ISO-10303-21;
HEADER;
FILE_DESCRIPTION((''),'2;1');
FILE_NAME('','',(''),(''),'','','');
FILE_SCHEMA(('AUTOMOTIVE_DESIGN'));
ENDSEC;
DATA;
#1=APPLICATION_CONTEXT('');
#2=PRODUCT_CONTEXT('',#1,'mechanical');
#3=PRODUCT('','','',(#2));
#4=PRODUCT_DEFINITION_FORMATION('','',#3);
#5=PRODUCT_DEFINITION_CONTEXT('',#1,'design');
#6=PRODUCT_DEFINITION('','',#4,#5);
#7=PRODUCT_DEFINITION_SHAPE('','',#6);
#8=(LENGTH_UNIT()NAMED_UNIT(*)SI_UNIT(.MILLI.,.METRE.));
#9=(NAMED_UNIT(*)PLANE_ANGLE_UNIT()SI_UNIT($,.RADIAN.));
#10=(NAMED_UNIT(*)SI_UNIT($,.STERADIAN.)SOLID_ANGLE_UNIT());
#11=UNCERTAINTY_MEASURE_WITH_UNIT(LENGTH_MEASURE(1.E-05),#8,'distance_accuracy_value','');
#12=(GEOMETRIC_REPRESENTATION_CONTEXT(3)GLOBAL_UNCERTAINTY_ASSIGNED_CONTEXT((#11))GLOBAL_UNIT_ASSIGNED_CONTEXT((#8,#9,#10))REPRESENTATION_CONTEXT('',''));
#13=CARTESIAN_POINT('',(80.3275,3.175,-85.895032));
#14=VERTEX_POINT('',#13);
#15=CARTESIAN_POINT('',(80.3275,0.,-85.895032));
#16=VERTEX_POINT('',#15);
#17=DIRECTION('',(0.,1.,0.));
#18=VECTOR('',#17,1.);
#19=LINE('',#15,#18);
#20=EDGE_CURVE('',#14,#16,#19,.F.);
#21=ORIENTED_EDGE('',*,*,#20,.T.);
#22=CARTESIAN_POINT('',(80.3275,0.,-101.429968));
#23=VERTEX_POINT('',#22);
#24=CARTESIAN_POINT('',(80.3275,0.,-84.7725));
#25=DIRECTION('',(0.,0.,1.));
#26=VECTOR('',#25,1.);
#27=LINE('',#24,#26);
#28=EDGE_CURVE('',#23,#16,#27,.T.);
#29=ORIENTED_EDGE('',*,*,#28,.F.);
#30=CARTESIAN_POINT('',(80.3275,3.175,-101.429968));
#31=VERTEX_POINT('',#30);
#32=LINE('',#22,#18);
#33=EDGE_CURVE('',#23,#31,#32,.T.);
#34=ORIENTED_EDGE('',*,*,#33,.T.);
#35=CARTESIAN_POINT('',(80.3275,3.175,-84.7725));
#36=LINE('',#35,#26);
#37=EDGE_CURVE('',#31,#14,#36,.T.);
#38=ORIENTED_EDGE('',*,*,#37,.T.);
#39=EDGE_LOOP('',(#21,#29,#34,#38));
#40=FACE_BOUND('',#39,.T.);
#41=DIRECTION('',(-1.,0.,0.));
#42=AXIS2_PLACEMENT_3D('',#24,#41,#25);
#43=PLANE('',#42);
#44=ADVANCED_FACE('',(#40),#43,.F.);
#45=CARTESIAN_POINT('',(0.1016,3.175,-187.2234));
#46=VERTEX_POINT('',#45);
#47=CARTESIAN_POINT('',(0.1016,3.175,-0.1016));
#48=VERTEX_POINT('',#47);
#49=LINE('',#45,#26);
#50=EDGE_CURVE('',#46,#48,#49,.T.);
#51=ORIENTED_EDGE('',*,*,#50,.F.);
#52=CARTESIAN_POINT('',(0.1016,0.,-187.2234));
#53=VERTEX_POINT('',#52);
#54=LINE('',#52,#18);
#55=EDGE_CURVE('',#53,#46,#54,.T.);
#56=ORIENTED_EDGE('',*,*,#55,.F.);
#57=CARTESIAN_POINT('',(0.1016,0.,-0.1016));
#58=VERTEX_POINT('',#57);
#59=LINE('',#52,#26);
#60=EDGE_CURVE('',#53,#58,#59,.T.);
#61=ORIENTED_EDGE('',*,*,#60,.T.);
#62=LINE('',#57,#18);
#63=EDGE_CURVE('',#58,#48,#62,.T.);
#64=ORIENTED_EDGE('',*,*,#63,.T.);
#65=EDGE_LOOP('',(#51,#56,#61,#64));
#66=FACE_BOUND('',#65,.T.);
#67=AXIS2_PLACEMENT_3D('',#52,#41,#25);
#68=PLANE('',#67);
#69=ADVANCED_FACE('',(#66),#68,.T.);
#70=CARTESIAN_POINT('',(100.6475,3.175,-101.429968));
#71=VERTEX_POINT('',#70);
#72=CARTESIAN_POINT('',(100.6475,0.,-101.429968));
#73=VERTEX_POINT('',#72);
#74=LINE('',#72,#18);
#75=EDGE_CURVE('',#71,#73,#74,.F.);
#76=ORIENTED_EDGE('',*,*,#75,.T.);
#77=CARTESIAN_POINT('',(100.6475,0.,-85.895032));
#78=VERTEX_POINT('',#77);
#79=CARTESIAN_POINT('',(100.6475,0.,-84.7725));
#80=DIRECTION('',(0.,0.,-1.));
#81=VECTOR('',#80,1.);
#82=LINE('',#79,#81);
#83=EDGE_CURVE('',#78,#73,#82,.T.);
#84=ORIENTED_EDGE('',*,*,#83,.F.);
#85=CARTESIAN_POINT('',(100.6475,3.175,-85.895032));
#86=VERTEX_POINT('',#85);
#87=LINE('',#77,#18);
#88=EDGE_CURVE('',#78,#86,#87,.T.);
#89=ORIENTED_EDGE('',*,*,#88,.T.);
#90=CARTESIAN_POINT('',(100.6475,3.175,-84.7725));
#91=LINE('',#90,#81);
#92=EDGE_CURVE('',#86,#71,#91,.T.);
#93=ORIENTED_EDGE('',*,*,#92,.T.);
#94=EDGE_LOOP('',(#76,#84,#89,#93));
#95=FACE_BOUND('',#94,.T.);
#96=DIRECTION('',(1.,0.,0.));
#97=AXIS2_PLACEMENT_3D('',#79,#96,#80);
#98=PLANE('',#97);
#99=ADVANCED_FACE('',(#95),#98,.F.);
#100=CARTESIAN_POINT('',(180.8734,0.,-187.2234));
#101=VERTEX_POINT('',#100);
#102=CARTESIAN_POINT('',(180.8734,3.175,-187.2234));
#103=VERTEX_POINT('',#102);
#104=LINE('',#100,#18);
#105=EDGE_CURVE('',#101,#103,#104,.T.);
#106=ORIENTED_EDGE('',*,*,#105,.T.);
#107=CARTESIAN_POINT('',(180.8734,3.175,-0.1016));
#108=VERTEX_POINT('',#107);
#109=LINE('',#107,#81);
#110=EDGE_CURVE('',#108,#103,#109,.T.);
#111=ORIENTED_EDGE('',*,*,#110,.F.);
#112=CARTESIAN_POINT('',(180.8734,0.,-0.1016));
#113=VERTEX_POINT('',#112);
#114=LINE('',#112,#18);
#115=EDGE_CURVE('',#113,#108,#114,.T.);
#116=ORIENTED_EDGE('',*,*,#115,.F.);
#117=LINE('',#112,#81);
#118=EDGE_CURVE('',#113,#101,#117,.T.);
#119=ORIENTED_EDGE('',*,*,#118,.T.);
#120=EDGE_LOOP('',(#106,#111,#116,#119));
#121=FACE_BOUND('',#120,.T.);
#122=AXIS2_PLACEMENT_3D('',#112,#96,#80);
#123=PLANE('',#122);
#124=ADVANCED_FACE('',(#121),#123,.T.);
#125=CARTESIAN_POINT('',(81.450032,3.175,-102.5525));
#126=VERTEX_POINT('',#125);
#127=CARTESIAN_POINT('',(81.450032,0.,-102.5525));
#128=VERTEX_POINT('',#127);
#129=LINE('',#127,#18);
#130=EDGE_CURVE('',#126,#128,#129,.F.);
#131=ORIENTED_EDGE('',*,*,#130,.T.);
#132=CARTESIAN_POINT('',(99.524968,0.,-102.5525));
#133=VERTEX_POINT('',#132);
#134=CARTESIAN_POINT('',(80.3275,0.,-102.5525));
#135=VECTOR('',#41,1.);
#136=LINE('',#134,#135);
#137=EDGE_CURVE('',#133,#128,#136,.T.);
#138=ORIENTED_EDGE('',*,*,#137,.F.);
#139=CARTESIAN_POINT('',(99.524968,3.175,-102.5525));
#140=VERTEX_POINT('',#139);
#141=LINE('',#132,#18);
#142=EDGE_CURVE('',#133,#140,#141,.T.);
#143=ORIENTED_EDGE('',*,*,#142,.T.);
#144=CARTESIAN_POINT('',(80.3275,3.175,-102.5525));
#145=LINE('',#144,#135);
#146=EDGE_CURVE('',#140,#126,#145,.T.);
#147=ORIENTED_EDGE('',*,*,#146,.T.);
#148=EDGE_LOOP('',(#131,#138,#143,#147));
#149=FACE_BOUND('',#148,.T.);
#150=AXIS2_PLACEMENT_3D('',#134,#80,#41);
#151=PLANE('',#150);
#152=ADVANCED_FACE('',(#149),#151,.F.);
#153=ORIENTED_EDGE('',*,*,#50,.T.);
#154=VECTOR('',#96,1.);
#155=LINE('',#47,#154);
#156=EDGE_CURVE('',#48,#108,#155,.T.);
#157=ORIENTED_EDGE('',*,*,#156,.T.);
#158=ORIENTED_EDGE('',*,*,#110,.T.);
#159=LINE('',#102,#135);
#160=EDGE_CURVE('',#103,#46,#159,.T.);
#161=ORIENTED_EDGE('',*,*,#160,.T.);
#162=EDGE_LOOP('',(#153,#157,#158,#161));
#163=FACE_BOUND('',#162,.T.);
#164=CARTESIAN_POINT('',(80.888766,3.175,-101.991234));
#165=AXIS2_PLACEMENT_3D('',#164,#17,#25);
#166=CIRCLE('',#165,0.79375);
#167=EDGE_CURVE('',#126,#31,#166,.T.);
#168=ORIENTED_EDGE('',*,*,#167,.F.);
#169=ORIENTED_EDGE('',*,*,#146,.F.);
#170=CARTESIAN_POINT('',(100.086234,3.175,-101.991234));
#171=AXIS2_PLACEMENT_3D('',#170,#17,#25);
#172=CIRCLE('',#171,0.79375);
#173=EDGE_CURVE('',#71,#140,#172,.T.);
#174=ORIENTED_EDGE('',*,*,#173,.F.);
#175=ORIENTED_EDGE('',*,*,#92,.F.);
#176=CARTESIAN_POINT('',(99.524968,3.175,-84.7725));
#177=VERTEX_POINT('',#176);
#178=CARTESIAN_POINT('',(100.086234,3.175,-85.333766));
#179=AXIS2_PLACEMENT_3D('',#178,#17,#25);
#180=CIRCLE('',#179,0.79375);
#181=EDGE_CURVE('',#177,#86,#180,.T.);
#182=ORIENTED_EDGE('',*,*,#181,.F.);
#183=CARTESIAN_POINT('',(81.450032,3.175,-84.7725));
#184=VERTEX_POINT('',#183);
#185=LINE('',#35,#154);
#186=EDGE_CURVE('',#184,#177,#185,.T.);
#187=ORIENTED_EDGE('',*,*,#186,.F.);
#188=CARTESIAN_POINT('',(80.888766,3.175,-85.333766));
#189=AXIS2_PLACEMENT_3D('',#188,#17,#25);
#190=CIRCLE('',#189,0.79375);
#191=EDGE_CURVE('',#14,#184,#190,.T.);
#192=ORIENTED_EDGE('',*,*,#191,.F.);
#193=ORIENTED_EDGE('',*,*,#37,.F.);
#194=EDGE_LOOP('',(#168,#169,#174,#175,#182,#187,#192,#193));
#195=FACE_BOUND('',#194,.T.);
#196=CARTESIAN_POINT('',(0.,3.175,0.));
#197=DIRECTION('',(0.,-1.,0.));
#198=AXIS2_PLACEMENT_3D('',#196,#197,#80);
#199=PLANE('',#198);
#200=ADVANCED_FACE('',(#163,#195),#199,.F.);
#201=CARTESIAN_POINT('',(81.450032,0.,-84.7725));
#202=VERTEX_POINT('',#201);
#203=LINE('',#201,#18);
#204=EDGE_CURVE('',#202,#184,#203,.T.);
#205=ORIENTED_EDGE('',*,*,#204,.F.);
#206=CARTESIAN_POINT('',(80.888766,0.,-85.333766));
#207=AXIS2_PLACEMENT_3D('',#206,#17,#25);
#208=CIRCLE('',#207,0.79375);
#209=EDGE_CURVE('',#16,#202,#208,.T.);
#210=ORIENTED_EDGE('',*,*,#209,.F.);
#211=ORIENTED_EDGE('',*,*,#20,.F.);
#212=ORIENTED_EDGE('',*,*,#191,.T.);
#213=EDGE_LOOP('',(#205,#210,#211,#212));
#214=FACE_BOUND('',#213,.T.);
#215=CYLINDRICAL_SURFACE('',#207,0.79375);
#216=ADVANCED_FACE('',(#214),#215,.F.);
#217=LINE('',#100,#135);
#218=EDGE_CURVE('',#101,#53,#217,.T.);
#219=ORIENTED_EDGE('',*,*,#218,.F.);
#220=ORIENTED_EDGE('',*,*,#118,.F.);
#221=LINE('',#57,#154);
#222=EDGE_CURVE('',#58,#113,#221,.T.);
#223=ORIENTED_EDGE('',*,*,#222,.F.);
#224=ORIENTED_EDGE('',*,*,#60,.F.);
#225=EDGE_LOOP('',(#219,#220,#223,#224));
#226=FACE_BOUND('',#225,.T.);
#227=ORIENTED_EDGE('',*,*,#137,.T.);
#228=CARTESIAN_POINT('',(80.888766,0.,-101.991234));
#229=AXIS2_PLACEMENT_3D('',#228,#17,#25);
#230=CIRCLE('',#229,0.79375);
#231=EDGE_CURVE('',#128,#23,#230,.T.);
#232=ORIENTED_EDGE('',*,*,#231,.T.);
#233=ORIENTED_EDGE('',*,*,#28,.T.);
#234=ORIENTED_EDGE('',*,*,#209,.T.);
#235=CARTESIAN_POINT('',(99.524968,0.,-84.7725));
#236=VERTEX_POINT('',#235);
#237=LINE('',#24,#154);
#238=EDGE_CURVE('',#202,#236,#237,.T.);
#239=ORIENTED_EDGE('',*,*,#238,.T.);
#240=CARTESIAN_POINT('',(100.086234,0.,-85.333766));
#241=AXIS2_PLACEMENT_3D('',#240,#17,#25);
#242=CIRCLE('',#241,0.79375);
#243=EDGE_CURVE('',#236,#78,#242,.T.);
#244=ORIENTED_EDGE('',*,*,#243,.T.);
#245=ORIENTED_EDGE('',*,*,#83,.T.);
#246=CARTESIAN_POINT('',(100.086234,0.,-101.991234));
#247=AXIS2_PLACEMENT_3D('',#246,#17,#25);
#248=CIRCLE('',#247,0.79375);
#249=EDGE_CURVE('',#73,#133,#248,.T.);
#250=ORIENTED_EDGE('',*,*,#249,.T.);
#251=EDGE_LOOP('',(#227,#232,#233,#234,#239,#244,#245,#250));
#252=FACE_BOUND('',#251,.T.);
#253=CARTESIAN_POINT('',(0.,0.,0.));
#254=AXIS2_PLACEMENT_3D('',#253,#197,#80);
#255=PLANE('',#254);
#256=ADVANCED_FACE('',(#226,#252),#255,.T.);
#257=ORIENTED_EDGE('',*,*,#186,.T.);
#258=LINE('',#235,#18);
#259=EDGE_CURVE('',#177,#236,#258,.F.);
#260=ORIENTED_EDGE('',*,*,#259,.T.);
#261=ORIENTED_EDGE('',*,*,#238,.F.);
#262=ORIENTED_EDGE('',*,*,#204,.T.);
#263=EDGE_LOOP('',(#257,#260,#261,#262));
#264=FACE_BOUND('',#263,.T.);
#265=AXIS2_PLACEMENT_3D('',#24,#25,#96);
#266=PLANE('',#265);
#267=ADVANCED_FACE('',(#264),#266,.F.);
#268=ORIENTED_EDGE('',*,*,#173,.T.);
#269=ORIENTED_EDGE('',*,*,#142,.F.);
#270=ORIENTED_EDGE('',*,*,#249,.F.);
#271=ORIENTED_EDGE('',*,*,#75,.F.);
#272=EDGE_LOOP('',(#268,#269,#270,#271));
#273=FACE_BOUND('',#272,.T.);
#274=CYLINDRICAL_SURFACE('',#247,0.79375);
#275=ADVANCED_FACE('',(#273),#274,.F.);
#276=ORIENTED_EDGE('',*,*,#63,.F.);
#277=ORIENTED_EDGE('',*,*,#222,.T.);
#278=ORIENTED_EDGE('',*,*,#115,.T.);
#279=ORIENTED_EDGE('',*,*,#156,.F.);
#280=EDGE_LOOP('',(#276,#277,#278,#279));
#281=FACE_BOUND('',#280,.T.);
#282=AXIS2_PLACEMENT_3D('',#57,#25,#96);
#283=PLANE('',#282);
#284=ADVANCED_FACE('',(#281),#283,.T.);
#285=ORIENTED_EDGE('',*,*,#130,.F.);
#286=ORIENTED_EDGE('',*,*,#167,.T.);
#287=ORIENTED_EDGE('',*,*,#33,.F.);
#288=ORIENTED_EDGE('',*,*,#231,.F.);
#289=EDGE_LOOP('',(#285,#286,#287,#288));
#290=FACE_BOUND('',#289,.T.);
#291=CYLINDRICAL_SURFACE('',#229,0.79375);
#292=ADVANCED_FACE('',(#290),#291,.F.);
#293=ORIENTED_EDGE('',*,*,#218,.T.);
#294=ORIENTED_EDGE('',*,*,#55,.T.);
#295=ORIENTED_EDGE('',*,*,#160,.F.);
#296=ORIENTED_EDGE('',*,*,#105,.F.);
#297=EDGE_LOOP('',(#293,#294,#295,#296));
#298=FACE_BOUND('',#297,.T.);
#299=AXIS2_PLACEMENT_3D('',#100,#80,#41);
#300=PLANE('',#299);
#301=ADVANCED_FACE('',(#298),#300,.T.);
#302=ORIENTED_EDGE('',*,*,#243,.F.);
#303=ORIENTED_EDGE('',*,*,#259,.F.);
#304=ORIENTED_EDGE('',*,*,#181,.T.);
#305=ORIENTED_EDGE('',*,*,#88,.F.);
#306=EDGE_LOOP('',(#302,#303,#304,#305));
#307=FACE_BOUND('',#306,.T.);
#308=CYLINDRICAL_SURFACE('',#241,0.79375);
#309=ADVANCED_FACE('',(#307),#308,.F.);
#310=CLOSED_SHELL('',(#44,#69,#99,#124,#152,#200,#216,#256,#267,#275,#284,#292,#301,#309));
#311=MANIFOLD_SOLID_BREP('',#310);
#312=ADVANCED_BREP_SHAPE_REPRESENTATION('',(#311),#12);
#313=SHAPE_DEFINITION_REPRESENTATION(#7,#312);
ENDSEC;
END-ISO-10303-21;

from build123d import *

# Parameters (mm, degrees)
SKETCH1_W           = 180.975
SKETCH1_H           = 187.325
BOSS_EXTRUDE1_DEPTH = 3.175
SKETCH2_W           = 20.32
SKETCH2_H           = 17.78
CUT_EXTRUDE1_DEPTH  = 4.175
SKETCH3_R           = 0.79375
CUT_EXTRUDE2_DEPTH  = 3.175
SKETCH4_W           = 180.975
SKETCH4_H           = 187.325
SKETCH4_W_2         = 180.7718
SKETCH4_H_2         = 187.1218
CUT_EXTRUDE3_DEPTH  = 3.175


with BuildPart() as part:
    # Sketch1 → Boss-Extrude1 (new body)
    with BuildSketch(Plane(origin=(0, 0, 0), x_dir=(1, 0, 0), z_dir=(0, 1, 0))):
        with Locations((90.4875, 93.6625)):
            Rectangle(SKETCH1_W, SKETCH1_H)
    extrude(amount=BOSS_EXTRUDE1_DEPTH)

    # Sketch2 → Cut-Extrude1 (cut, through all)
    with BuildSketch(Plane(origin=(0, 3.175, 0), x_dir=(1, 0, 0), z_dir=(0, 1, 0))):
        with Locations((90.4875, 93.6625)):
            Rectangle(SKETCH2_W, SKETCH2_H)
    extrude(amount=-CUT_EXTRUDE1_DEPTH, mode=Mode.SUBTRACT)

    # Sketch3 → Cut-Extrude2 (cut)
    with BuildSketch(Plane(origin=(0, 3.175, 0), x_dir=(1, 0, 0), z_dir=(0, 1, 0))):
        with Locations((80.888766008, 101.991233992)):
            Circle(SKETCH3_R)
        with Locations((100.086233992, 101.991233992)):
            Circle(SKETCH3_R)
        with Locations((80.888766008, 85.333766008)):
            Circle(SKETCH3_R)
        with Locations((100.086233992, 85.333766008)):
            Circle(SKETCH3_R)
    extrude(amount=-CUT_EXTRUDE2_DEPTH, mode=Mode.SUBTRACT)

    # Sketch4 → Cut-Extrude3 (cut)
    with BuildSketch(Plane(origin=(0, 3.175, 0), x_dir=(1, 0, 0), z_dir=(0, 1, 0))):
        with Locations((90.4875, 93.6625)):
            Rectangle(SKETCH4_W, SKETCH4_H)
        with Locations((90.4875, 93.6625)):
            Rectangle(SKETCH4_W_2, SKETCH4_H_2, mode=Mode.SUBTRACT)
    extrude(amount=-CUT_EXTRUDE3_DEPTH, mode=Mode.SUBTRACT)


solid = part.part
